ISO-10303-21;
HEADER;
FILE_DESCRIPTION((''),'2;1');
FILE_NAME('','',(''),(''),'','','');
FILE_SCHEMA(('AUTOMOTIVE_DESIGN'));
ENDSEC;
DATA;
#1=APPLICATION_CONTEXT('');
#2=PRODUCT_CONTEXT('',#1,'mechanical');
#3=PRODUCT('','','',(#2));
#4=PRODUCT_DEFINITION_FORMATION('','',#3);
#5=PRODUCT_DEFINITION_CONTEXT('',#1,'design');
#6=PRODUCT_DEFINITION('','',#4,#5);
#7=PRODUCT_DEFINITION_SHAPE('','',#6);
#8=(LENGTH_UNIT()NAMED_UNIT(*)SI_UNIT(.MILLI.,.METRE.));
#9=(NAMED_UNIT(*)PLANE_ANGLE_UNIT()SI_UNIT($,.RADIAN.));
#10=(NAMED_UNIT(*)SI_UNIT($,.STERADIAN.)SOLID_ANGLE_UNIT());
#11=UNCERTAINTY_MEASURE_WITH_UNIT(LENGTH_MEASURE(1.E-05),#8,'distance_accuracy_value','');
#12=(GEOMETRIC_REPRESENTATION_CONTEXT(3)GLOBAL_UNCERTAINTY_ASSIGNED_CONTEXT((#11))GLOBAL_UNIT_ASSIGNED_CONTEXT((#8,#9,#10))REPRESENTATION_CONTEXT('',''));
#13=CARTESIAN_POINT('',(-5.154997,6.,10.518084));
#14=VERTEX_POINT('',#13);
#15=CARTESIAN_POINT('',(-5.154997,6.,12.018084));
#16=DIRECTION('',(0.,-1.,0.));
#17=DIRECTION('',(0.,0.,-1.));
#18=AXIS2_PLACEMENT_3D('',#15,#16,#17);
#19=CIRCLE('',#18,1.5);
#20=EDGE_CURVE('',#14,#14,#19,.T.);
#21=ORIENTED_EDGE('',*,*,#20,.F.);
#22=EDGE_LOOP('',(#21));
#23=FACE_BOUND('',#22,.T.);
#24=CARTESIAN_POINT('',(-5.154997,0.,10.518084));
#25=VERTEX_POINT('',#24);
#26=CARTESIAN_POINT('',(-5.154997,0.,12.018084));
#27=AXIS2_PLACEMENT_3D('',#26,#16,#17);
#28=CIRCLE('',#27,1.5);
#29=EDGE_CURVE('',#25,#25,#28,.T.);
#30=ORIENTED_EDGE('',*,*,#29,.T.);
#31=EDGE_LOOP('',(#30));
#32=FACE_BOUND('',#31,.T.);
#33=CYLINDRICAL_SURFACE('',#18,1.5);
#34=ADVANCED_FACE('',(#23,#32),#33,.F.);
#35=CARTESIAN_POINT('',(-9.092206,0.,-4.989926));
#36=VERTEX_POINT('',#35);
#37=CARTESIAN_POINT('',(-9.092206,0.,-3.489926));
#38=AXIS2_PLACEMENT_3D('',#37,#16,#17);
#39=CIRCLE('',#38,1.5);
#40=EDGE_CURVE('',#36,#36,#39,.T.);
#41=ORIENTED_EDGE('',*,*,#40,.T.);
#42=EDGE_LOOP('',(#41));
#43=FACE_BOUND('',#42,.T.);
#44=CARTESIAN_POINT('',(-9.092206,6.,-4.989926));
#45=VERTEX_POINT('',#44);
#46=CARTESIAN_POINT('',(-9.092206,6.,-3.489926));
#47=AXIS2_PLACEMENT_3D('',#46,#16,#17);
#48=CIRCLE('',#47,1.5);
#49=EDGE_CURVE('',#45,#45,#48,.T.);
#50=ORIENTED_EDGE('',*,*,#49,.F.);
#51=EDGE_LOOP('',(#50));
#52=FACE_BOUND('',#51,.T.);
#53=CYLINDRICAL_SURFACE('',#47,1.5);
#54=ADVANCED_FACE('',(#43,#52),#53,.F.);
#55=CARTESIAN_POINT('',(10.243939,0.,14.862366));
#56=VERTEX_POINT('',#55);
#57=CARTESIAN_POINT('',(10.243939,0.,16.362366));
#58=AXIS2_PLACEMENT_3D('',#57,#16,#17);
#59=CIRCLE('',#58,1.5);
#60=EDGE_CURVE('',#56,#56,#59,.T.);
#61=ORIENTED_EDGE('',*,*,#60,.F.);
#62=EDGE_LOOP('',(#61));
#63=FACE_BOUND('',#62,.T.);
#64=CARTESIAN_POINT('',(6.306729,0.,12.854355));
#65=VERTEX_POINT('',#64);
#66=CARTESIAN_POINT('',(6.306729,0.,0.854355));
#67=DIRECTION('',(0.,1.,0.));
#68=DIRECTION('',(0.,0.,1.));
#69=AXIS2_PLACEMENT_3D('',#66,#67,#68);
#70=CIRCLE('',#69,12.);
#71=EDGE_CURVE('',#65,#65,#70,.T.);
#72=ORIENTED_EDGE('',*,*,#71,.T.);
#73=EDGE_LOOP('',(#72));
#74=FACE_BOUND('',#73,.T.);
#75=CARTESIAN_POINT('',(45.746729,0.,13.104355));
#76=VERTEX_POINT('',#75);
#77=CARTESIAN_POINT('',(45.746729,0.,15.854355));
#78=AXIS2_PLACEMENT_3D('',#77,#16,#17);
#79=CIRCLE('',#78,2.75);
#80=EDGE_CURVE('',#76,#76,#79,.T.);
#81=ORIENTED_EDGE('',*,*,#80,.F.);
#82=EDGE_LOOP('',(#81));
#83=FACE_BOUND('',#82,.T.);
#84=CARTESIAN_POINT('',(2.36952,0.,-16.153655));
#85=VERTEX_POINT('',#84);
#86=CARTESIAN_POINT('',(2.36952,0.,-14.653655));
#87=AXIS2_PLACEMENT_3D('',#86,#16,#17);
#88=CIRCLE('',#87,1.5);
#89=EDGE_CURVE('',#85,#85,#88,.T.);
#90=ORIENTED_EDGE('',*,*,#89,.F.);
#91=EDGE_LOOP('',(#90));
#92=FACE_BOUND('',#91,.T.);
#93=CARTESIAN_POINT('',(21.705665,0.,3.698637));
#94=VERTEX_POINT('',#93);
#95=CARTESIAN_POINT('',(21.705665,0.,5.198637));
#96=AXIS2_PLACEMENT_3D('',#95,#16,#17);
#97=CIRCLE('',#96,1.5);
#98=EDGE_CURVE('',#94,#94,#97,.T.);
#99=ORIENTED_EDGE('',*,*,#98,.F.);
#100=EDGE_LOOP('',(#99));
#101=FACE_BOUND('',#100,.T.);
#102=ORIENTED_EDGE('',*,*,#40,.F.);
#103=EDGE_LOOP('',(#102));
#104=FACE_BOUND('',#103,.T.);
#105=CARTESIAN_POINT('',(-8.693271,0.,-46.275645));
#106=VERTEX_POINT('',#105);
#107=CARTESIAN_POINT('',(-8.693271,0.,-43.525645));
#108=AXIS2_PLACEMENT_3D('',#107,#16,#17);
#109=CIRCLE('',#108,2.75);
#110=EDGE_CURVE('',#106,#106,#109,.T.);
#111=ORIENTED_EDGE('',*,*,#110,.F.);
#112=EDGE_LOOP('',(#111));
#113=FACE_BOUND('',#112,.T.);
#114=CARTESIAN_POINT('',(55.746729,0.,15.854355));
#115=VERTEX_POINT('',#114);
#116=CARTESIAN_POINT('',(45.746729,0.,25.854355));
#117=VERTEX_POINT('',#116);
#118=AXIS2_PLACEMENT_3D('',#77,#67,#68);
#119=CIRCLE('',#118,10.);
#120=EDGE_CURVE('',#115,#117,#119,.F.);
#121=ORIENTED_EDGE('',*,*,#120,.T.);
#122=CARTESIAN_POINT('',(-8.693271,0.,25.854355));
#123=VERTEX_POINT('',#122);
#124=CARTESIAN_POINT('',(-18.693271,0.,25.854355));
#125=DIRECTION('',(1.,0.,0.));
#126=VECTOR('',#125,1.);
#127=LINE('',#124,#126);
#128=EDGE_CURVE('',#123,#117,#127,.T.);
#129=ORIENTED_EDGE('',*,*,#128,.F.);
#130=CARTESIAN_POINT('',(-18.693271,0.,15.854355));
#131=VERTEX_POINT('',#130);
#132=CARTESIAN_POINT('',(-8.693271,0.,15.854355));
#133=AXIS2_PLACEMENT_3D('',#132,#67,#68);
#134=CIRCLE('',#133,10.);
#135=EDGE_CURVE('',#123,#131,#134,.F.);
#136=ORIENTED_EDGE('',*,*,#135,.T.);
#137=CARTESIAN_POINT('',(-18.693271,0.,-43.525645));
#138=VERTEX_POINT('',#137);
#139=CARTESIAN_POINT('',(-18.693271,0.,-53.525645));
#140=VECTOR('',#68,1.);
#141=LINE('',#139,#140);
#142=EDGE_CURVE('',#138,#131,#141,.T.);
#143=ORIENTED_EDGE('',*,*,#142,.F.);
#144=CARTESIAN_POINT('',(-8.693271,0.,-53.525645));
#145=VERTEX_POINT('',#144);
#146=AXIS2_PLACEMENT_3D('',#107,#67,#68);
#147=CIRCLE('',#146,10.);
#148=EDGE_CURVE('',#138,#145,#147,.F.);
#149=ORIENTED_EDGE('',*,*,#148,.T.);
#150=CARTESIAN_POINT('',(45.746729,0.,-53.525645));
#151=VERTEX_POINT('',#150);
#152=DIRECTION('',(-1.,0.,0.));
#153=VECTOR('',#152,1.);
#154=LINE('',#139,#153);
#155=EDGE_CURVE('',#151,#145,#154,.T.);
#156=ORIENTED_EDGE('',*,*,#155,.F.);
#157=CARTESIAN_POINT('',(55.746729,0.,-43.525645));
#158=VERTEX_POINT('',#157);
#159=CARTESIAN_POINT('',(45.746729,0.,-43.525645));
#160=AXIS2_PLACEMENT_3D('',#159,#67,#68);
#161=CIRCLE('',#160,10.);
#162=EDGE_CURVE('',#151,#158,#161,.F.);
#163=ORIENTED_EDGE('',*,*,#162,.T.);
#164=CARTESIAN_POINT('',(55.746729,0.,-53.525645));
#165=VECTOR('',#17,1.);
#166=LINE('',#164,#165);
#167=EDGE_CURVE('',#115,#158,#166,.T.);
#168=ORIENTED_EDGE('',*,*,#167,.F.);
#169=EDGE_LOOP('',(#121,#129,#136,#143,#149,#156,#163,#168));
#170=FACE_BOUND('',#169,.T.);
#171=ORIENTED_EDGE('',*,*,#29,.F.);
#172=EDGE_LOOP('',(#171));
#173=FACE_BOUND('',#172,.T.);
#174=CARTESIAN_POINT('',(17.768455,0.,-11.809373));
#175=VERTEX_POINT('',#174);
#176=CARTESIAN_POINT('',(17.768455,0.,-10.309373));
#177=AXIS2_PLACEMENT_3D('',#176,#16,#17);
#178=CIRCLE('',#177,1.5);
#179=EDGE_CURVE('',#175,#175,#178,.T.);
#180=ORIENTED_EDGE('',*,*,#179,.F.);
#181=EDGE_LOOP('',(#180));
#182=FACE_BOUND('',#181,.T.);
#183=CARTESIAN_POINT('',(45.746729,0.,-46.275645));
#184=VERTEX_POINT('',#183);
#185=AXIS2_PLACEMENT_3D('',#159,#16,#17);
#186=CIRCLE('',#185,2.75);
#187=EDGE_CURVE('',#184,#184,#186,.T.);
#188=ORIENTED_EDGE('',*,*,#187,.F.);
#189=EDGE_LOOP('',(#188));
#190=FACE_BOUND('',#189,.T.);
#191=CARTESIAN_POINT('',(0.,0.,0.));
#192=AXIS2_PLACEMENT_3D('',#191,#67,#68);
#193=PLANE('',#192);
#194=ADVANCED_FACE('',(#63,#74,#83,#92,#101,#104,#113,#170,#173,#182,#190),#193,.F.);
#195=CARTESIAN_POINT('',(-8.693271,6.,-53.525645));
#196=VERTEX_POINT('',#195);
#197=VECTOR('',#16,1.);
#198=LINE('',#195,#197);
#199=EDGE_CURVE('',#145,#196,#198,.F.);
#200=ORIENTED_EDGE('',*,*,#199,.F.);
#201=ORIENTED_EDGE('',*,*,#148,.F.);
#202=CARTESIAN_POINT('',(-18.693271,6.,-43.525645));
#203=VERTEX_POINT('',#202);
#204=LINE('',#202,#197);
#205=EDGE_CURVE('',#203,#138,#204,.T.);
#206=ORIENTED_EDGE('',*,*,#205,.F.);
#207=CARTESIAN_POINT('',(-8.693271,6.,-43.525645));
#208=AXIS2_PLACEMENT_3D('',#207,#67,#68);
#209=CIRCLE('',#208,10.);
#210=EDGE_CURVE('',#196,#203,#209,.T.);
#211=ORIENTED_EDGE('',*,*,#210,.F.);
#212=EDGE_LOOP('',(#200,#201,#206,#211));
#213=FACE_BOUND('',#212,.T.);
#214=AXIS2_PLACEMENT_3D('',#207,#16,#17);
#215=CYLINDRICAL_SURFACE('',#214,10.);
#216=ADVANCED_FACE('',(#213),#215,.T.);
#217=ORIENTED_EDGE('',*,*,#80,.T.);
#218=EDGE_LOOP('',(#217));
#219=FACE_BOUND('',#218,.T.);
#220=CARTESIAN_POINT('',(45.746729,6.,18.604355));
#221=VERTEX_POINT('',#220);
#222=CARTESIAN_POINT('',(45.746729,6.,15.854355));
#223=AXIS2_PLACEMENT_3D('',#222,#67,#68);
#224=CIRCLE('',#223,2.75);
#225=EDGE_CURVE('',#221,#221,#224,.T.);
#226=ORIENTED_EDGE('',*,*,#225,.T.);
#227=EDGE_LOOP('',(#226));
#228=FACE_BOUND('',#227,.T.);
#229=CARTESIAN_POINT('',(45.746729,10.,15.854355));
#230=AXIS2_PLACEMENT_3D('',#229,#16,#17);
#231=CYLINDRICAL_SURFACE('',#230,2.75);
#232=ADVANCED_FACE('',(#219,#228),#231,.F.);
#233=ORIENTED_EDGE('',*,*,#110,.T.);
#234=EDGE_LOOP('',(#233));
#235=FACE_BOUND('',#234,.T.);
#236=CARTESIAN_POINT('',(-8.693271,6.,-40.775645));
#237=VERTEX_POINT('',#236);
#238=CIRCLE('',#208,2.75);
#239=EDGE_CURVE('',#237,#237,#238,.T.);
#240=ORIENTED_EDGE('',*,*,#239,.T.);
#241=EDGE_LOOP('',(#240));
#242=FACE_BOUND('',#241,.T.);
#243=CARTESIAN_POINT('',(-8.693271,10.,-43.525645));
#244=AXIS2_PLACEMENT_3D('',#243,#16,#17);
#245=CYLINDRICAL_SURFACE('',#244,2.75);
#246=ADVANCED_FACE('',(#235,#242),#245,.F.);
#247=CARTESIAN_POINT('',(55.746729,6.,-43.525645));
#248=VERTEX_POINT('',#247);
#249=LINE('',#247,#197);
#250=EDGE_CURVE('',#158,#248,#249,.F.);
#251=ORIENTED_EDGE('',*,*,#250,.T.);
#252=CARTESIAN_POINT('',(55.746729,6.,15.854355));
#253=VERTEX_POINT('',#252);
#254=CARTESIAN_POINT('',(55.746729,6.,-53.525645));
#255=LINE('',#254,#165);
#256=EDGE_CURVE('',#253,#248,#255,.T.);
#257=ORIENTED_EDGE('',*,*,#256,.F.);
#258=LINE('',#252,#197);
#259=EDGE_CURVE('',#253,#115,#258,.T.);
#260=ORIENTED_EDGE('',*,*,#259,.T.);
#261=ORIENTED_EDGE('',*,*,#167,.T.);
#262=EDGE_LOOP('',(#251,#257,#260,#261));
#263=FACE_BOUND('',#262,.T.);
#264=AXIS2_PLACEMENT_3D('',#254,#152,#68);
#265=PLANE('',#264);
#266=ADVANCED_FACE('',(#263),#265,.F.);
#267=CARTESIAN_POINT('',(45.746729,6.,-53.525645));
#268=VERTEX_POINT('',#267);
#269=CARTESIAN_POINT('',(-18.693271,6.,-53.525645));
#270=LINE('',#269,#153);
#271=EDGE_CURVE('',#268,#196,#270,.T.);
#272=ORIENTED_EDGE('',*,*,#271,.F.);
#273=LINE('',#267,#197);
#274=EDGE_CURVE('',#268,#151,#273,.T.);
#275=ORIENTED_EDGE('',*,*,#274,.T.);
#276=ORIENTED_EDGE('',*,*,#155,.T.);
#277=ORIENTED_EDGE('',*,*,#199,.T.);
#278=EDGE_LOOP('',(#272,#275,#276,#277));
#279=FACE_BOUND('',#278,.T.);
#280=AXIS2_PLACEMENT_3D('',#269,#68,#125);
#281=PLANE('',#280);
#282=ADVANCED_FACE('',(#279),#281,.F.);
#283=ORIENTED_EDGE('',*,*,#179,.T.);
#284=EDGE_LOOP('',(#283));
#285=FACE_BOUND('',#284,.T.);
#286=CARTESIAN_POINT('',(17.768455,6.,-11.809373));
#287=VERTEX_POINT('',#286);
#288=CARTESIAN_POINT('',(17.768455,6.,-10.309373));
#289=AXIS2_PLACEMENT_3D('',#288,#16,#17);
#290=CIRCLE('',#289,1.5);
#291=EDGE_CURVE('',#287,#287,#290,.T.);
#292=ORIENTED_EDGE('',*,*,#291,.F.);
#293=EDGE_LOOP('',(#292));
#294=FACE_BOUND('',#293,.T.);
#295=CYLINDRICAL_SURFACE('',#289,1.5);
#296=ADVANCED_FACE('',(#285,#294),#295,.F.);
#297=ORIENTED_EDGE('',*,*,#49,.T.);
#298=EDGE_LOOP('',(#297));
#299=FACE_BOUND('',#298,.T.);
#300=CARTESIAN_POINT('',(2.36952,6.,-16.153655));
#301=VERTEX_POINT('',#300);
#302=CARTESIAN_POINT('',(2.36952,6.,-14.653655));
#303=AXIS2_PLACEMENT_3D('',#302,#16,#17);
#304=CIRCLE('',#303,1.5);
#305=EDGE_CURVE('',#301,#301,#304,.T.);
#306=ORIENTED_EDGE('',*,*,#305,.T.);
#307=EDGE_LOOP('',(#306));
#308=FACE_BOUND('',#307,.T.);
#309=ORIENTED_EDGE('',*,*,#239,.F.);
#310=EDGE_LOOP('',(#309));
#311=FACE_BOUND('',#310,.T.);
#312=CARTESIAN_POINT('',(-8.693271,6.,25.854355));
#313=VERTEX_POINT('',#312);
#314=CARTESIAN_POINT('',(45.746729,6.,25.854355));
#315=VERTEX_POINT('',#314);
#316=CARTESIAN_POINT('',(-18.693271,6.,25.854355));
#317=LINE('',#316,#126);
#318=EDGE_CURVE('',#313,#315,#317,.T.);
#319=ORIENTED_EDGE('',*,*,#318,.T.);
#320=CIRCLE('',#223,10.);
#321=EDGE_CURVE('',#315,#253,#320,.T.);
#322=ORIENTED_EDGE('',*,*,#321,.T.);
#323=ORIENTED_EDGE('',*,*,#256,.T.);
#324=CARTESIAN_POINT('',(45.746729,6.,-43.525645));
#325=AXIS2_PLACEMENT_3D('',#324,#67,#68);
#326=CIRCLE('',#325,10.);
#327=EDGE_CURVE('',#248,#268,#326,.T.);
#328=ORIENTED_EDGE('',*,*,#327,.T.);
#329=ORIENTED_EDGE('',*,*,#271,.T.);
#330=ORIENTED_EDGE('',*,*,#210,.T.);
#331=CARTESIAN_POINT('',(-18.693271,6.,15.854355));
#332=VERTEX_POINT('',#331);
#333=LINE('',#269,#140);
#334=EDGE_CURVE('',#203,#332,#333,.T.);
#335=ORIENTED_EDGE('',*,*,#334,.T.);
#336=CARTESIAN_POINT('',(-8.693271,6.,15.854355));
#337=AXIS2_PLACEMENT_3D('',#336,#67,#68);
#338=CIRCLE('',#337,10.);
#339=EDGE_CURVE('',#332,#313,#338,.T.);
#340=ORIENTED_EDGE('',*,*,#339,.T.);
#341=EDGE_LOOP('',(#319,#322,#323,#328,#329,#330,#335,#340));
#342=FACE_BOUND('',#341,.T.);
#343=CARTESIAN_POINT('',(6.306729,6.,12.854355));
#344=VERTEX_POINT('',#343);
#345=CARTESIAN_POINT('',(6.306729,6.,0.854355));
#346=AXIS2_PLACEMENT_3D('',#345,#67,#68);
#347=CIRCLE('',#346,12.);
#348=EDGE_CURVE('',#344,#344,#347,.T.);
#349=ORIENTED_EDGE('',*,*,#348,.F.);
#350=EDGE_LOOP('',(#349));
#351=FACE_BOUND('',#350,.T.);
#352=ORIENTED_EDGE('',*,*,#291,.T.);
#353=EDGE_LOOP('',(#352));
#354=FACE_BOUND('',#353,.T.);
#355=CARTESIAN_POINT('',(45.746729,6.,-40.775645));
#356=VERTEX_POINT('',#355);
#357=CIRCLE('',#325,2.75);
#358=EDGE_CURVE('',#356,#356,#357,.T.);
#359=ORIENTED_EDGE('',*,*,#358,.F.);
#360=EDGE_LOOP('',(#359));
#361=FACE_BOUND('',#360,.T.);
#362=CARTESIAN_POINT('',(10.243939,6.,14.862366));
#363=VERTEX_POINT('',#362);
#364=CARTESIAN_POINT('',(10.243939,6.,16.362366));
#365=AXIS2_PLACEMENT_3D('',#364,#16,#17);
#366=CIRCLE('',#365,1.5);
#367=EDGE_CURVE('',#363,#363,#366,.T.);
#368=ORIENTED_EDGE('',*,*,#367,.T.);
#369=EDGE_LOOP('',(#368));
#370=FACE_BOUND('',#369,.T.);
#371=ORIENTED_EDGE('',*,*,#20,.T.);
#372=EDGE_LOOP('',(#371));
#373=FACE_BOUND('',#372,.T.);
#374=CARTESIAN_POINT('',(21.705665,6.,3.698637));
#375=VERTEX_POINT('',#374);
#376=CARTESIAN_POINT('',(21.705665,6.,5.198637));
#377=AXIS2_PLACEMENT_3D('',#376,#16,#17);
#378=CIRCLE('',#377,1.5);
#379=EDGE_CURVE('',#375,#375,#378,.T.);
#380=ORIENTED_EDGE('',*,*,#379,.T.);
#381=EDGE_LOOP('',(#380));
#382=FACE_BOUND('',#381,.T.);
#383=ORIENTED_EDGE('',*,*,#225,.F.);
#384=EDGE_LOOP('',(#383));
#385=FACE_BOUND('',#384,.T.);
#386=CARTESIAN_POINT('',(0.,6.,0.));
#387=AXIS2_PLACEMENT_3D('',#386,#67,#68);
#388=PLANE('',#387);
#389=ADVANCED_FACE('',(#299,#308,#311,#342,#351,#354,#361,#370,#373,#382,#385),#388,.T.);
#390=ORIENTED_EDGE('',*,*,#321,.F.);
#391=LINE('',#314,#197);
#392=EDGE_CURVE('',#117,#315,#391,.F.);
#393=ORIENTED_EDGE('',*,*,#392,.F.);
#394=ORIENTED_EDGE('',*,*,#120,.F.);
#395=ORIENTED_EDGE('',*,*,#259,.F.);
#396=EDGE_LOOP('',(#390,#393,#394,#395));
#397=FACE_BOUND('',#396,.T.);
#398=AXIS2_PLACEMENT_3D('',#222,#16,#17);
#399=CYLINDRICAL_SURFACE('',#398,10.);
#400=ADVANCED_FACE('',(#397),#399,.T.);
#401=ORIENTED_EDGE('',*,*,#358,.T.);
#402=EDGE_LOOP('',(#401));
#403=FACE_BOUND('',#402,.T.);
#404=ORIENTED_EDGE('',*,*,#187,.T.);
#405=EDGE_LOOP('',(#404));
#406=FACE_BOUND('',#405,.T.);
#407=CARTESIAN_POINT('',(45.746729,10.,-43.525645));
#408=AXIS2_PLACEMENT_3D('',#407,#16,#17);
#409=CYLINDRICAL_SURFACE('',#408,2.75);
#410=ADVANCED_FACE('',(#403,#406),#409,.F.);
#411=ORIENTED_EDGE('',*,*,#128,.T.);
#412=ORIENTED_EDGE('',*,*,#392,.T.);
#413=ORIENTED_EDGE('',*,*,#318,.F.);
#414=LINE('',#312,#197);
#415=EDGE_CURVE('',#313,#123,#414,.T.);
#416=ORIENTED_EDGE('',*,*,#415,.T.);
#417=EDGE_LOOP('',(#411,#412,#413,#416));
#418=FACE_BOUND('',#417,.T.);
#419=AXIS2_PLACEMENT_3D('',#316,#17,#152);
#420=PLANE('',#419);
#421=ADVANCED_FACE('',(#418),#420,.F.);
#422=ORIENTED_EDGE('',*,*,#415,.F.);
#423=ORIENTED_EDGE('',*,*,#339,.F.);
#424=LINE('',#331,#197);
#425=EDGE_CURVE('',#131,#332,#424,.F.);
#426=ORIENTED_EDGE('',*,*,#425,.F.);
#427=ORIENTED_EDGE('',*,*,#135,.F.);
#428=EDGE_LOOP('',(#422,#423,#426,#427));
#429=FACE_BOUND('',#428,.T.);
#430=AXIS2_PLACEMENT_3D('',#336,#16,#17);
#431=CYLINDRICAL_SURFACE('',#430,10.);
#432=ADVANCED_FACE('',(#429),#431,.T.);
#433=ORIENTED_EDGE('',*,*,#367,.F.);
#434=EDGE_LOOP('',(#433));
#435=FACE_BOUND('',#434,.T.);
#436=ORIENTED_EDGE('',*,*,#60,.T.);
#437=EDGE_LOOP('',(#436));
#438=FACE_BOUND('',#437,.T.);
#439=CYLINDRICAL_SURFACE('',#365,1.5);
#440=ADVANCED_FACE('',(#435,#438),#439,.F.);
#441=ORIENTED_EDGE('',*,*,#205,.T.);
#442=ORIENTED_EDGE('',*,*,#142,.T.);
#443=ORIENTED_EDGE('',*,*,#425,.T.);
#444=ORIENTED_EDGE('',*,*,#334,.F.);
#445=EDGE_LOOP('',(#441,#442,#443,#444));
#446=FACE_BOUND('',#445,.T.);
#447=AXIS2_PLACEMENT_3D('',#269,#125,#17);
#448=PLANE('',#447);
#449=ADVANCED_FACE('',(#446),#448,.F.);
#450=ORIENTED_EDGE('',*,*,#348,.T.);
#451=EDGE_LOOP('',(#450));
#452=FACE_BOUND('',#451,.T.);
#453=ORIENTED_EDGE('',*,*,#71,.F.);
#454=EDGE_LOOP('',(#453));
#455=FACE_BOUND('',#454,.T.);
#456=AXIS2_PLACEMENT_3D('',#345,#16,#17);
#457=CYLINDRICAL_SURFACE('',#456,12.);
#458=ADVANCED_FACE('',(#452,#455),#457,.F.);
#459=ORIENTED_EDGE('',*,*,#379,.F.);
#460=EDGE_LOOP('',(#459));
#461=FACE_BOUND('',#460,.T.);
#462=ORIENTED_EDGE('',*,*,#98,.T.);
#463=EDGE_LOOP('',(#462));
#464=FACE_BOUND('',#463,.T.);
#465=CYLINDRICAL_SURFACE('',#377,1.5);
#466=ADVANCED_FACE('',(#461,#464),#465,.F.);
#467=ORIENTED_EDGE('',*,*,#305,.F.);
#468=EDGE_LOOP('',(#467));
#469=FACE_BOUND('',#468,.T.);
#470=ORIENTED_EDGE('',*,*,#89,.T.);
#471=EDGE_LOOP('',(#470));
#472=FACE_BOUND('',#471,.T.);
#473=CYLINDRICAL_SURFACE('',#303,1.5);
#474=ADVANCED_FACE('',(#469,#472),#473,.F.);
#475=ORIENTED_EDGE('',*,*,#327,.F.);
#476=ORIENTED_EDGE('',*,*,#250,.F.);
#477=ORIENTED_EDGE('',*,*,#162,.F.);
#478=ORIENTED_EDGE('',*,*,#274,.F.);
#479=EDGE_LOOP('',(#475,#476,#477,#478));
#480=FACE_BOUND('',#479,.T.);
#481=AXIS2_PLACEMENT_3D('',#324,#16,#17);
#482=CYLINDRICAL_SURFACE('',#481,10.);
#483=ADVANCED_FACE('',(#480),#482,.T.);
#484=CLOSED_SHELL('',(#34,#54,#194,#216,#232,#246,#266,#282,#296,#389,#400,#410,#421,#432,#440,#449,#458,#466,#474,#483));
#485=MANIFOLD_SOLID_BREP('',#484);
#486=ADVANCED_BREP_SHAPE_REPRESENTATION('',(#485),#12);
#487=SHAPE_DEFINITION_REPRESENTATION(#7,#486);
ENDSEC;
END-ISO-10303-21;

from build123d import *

# Parameters (mm, degrees)
SKETCH2_W           = 74.44
SKETCH2_H           = 79.38
SKETCH2_R           = 12
BOSS_EXTRUDE1_DEPTH = 6
SKETCH6_R           = 2.75
CUT_EXTRUDE2_DEPTH  = 10
SKETCH8_R           = 1.5
CUT_EXTRUDE4_DEPTH  = 7
FILLET1_R           = 10


with BuildPart() as part:
    # Sketch2 → Boss-Extrude1 (new body)
    with BuildSketch(Plane(origin=(0, 0, 0), x_dir=(1, 0, 0), z_dir=(0, 1, 0))):
        with Locations((18.526729133, 13.835644594)):
            Rectangle(SKETCH2_W, SKETCH2_H)
        with Locations((6.306729133, -0.854355406)):
            Circle(SKETCH2_R, mode=Mode.SUBTRACT)
    extrude(amount=BOSS_EXTRUDE1_DEPTH)

    # Sketch6 → Cut-Extrude2 (cut)
    with BuildSketch(Plane.XZ):
        with Locations((45.746729133, 15.854355406)):
            Circle(SKETCH6_R)
        with Locations((45.746729133, -43.525644594)):
            Circle(SKETCH6_R)
        with Locations((-8.693270867, -43.525644594)):
            Circle(SKETCH6_R)
    extrude(amount=-CUT_EXTRUDE2_DEPTH, mode=Mode.SUBTRACT)

    # Sketch8 → Cut-Extrude4 (cut, through all)
    with BuildSketch(Plane.XZ):
        with Locations((21.705664704, 5.198637084)):
            Circle(SKETCH8_R)
        with Locations((17.768455213, -10.30937315)):
            Circle(SKETCH8_R)
        with Locations((2.369519643, -14.653654828)):
            Circle(SKETCH8_R)
        with Locations((-9.092206437, -3.489926272)):
            Circle(SKETCH8_R)
        with Locations((-5.154996946, 12.018083962)):
            Circle(SKETCH8_R)
        with Locations((10.243938624, 16.36236564)):
            Circle(SKETCH8_R)
    extrude(amount=-CUT_EXTRUDE4_DEPTH, mode=Mode.SUBTRACT)

    # Fillet1
    fillet1_edges = [part.edges().sort_by_distance(p)[0] for p in [
        (-18.693270867, 3, -53.525644594),
        (55.746729133, 3, -53.525644594),
        (55.746729133, 3, 25.854355406),
        (-18.693270867, 3, 25.854355406),
    ]]
    fillet(fillet1_edges, radius=FILLET1_R)


solid = part.part
